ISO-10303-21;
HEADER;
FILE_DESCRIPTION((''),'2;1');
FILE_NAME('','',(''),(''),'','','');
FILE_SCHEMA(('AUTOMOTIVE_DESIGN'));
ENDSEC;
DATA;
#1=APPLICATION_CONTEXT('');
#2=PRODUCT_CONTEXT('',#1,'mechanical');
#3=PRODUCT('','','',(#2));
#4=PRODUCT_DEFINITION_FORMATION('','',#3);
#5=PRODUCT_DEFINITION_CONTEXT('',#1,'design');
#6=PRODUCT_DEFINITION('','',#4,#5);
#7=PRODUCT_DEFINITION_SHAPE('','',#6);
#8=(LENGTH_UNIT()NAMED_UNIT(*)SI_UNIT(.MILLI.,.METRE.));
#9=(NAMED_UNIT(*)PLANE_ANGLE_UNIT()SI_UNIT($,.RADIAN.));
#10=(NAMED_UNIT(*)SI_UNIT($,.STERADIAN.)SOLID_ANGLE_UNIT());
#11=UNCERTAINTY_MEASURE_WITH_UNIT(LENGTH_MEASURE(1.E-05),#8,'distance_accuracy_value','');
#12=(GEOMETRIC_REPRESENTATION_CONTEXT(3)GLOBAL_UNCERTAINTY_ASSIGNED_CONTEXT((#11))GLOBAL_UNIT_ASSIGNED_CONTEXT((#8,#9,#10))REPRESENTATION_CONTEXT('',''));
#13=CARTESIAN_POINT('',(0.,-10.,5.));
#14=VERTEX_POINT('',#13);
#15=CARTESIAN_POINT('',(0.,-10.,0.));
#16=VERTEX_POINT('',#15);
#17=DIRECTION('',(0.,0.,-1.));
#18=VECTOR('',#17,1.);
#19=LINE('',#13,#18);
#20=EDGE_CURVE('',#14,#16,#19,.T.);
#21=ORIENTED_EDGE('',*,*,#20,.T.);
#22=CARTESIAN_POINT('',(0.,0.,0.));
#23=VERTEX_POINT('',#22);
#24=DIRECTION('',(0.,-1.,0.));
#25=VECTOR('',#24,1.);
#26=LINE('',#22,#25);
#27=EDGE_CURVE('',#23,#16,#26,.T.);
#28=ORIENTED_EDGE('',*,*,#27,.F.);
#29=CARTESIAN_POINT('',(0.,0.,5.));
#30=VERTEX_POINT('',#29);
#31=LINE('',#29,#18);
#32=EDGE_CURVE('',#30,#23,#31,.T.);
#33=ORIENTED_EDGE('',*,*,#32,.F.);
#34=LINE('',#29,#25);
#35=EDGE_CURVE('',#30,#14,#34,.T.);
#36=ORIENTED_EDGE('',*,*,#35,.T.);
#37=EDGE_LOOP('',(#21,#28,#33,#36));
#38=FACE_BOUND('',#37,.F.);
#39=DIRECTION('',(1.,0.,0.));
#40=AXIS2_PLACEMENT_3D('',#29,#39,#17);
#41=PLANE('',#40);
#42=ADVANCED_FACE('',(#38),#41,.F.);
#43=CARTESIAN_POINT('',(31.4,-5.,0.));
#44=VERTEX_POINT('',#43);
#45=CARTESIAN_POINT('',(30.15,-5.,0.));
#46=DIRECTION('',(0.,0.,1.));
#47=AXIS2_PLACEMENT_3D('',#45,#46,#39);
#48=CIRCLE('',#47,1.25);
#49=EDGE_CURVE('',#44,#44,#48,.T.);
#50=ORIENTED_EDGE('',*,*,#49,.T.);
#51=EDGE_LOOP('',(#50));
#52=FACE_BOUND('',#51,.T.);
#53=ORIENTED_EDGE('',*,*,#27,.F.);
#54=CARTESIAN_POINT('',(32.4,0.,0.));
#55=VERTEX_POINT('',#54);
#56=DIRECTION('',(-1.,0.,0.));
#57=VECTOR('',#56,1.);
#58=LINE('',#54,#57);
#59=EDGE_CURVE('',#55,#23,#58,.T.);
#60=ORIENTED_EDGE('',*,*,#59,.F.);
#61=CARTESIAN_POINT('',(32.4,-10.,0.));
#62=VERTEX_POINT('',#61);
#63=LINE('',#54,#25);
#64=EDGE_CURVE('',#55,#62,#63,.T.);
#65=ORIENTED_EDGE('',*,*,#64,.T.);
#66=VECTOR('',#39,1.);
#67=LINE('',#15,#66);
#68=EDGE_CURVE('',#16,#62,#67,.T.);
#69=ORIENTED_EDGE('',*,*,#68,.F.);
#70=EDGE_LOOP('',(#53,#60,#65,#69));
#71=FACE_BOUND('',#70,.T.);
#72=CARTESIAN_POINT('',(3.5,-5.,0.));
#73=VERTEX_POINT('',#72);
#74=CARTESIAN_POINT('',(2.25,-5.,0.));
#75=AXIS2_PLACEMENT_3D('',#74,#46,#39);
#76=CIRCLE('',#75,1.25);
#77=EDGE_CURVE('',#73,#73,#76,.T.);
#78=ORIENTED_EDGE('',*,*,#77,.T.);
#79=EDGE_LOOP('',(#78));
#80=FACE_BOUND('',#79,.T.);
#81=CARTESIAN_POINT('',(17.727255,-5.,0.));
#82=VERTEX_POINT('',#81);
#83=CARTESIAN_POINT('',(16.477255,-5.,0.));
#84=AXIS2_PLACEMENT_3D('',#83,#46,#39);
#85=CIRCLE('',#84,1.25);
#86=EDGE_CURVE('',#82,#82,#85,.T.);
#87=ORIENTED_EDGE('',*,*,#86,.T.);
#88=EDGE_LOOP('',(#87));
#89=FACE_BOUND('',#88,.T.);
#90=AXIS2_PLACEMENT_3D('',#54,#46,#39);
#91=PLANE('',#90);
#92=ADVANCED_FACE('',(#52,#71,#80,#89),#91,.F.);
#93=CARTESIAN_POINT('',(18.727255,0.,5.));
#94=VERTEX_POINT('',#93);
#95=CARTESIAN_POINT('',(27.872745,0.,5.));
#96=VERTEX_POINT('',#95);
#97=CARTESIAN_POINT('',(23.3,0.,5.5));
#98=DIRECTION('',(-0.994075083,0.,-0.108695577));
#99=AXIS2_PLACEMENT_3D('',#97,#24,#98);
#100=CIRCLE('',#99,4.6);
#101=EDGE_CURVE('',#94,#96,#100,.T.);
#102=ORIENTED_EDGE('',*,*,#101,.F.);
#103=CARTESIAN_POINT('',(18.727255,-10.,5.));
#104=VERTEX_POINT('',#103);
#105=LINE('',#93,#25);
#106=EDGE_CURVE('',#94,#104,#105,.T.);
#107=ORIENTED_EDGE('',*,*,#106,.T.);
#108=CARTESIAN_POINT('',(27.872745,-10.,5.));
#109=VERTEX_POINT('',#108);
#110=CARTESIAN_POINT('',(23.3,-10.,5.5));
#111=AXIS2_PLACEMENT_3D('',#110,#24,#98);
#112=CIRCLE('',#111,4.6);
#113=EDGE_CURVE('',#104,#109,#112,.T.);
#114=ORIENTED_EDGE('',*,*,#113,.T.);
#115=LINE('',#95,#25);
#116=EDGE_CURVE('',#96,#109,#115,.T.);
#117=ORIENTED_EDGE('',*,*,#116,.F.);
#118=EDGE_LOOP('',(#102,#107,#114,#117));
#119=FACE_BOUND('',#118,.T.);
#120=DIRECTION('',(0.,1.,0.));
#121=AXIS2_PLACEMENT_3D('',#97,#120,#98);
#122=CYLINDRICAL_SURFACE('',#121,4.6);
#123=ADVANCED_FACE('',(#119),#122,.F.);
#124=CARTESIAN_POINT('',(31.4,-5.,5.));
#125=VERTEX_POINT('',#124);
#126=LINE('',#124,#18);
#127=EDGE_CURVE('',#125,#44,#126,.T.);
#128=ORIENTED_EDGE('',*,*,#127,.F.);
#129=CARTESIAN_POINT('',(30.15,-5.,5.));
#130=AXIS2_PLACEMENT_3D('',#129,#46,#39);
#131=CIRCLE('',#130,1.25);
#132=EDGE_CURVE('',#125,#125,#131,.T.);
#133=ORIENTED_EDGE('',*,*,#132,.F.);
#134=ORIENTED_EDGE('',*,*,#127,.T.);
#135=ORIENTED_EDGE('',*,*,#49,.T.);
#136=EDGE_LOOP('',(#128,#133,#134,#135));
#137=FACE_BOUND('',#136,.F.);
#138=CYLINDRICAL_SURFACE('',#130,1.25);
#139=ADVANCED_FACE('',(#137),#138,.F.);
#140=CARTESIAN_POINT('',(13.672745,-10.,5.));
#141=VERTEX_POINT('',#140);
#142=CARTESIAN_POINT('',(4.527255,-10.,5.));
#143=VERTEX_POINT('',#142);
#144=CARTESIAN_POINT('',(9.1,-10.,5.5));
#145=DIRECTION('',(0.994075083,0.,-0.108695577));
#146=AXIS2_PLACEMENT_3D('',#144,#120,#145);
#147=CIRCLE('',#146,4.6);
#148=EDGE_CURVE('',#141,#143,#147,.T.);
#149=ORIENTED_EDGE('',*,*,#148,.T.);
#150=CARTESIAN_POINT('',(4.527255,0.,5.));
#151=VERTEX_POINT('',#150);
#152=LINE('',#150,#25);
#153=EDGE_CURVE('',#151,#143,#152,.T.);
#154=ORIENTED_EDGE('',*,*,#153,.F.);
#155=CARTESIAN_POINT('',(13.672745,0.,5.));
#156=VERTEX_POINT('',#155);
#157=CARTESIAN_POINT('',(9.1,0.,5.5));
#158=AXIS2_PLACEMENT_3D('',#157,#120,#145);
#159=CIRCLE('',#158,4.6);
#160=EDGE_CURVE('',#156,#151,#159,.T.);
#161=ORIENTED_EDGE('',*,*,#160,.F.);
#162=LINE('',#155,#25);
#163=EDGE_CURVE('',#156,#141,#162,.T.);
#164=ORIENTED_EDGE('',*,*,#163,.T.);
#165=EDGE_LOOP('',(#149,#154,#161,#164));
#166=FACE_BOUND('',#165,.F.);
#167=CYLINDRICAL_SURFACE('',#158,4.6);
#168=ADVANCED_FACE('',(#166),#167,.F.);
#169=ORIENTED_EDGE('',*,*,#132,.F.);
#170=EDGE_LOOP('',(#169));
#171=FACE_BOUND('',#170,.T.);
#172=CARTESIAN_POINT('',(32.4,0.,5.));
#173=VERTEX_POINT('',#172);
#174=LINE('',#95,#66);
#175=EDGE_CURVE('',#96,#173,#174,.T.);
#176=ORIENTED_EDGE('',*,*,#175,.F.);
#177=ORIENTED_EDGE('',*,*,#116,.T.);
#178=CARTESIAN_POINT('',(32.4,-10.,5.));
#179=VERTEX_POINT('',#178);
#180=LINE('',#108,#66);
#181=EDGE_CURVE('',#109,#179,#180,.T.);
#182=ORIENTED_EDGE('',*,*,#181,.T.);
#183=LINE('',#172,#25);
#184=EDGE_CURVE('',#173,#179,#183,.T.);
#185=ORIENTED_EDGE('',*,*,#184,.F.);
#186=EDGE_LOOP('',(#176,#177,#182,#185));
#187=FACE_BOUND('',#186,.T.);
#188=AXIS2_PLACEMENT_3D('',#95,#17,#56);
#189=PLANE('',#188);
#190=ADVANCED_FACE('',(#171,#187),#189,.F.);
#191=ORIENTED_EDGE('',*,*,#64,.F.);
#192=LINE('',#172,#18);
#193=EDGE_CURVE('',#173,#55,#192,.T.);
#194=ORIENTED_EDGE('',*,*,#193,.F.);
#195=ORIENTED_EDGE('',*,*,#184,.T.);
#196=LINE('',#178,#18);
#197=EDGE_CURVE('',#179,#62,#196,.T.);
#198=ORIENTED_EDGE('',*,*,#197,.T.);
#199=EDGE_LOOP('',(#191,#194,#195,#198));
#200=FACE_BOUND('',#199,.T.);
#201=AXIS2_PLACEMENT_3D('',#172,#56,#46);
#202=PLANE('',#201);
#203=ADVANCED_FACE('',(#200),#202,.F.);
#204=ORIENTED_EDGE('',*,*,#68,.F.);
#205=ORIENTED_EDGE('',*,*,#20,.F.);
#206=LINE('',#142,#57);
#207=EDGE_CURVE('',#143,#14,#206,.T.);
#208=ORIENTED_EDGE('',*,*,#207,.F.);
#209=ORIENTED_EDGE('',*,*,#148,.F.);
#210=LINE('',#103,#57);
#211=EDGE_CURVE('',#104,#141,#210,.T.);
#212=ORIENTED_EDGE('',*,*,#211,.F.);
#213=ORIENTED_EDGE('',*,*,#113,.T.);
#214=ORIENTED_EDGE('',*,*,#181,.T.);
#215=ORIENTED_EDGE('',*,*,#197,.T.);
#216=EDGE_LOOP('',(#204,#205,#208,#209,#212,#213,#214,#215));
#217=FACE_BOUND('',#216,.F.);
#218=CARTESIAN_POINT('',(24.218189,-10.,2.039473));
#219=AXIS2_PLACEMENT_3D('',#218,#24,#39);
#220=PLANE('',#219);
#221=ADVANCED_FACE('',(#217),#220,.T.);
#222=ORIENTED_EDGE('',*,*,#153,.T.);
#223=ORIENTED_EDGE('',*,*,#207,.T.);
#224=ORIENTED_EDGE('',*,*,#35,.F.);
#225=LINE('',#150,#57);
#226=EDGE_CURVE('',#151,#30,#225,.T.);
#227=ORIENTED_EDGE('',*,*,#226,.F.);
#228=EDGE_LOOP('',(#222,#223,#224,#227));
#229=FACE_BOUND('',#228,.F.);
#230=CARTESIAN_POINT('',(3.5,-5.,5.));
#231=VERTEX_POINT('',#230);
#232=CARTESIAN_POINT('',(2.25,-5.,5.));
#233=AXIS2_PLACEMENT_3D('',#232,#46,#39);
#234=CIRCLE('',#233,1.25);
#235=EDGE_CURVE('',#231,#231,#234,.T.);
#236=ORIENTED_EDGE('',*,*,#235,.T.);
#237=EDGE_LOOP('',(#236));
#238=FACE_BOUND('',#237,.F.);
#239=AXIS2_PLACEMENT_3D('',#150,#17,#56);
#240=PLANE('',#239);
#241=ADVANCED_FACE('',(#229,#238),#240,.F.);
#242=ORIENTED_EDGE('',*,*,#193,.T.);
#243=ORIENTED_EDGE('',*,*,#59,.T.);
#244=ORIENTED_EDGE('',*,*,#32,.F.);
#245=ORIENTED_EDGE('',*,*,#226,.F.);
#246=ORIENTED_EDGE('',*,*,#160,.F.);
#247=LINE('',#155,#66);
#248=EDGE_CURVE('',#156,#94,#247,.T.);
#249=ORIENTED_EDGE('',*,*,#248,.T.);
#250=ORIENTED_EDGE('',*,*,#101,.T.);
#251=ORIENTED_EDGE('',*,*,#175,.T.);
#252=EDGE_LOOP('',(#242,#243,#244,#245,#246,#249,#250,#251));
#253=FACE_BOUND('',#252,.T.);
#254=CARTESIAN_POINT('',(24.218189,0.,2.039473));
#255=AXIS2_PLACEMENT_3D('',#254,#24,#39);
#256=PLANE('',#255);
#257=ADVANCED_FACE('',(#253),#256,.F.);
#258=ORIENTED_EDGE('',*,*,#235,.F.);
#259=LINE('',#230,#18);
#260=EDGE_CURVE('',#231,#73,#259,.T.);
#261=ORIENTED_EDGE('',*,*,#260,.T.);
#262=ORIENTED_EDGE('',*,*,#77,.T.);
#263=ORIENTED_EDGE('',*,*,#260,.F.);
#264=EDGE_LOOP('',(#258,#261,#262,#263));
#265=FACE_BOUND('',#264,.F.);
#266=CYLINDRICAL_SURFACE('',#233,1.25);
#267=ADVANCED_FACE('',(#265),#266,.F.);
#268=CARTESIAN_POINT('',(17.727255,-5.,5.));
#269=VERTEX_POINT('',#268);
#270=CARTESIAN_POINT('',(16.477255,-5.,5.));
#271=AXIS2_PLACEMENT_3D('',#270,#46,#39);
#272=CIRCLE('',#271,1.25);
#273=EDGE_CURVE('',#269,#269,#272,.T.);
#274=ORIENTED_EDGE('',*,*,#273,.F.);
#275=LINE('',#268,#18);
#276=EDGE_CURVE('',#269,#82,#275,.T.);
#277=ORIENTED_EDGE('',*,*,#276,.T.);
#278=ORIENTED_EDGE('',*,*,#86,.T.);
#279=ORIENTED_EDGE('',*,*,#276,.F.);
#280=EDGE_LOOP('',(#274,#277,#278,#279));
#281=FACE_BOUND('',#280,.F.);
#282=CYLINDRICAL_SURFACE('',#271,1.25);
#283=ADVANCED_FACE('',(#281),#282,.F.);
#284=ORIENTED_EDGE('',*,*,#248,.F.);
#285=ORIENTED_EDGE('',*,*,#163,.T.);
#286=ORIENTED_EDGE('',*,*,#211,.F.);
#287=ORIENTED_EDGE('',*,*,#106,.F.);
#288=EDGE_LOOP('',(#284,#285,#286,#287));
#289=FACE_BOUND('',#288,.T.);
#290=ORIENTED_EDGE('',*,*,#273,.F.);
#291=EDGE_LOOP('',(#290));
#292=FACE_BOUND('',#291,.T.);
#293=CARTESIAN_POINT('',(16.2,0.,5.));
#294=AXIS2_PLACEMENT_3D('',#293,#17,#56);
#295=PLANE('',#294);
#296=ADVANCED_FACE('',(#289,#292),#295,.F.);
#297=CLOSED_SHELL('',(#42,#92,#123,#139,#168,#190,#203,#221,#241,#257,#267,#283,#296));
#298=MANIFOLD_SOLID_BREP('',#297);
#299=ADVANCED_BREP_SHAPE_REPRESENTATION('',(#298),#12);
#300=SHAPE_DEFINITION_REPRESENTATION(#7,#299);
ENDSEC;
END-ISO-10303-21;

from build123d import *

# Parameters (mm, degrees)
F1_DEPTH = 10
F3_R     = 1.25
F4_DEPTH = 5.001


with BuildPart() as f1:
    # F0 (on Front) → F1 (new body)
    with BuildSketch(Plane.XZ):
        with BuildLine():
            Line((4.527255, 5), (0, 5))
            Line((0, 5), (0, 0))
            Line((0, 0), (16.2, 0))
            Line((16.2, 0), (16.2, 5))
            Line((16.2, 5), (13.672745, 5))
            ThreePointArc((13.672745, 5), (9.1, 0.9), (4.527255, 5))
        make_face()
    extrude(amount=F1_DEPTH)

    # F2: F1 across face


with BuildPart() as f1_1:
    add(f1.part)
    add(f1.part.mirror(Plane(origin=(16.2, -5, 2.5), x_dir=(0, 1, 0), z_dir=(1, 0, 0))))

    # F3 (on face) → F4 (cut, through all)
    with BuildSketch(Plane.XY.offset(5)):
        with Locations((2.25, -5)):
            Circle(F3_R)
        with Locations((16.477255, -5)):
            Circle(F3_R)
        with Locations((30.15, -5)):
            Circle(F3_R)
    extrude(amount=-F4_DEPTH, mode=Mode.SUBTRACT)


solid = f1_1.part
